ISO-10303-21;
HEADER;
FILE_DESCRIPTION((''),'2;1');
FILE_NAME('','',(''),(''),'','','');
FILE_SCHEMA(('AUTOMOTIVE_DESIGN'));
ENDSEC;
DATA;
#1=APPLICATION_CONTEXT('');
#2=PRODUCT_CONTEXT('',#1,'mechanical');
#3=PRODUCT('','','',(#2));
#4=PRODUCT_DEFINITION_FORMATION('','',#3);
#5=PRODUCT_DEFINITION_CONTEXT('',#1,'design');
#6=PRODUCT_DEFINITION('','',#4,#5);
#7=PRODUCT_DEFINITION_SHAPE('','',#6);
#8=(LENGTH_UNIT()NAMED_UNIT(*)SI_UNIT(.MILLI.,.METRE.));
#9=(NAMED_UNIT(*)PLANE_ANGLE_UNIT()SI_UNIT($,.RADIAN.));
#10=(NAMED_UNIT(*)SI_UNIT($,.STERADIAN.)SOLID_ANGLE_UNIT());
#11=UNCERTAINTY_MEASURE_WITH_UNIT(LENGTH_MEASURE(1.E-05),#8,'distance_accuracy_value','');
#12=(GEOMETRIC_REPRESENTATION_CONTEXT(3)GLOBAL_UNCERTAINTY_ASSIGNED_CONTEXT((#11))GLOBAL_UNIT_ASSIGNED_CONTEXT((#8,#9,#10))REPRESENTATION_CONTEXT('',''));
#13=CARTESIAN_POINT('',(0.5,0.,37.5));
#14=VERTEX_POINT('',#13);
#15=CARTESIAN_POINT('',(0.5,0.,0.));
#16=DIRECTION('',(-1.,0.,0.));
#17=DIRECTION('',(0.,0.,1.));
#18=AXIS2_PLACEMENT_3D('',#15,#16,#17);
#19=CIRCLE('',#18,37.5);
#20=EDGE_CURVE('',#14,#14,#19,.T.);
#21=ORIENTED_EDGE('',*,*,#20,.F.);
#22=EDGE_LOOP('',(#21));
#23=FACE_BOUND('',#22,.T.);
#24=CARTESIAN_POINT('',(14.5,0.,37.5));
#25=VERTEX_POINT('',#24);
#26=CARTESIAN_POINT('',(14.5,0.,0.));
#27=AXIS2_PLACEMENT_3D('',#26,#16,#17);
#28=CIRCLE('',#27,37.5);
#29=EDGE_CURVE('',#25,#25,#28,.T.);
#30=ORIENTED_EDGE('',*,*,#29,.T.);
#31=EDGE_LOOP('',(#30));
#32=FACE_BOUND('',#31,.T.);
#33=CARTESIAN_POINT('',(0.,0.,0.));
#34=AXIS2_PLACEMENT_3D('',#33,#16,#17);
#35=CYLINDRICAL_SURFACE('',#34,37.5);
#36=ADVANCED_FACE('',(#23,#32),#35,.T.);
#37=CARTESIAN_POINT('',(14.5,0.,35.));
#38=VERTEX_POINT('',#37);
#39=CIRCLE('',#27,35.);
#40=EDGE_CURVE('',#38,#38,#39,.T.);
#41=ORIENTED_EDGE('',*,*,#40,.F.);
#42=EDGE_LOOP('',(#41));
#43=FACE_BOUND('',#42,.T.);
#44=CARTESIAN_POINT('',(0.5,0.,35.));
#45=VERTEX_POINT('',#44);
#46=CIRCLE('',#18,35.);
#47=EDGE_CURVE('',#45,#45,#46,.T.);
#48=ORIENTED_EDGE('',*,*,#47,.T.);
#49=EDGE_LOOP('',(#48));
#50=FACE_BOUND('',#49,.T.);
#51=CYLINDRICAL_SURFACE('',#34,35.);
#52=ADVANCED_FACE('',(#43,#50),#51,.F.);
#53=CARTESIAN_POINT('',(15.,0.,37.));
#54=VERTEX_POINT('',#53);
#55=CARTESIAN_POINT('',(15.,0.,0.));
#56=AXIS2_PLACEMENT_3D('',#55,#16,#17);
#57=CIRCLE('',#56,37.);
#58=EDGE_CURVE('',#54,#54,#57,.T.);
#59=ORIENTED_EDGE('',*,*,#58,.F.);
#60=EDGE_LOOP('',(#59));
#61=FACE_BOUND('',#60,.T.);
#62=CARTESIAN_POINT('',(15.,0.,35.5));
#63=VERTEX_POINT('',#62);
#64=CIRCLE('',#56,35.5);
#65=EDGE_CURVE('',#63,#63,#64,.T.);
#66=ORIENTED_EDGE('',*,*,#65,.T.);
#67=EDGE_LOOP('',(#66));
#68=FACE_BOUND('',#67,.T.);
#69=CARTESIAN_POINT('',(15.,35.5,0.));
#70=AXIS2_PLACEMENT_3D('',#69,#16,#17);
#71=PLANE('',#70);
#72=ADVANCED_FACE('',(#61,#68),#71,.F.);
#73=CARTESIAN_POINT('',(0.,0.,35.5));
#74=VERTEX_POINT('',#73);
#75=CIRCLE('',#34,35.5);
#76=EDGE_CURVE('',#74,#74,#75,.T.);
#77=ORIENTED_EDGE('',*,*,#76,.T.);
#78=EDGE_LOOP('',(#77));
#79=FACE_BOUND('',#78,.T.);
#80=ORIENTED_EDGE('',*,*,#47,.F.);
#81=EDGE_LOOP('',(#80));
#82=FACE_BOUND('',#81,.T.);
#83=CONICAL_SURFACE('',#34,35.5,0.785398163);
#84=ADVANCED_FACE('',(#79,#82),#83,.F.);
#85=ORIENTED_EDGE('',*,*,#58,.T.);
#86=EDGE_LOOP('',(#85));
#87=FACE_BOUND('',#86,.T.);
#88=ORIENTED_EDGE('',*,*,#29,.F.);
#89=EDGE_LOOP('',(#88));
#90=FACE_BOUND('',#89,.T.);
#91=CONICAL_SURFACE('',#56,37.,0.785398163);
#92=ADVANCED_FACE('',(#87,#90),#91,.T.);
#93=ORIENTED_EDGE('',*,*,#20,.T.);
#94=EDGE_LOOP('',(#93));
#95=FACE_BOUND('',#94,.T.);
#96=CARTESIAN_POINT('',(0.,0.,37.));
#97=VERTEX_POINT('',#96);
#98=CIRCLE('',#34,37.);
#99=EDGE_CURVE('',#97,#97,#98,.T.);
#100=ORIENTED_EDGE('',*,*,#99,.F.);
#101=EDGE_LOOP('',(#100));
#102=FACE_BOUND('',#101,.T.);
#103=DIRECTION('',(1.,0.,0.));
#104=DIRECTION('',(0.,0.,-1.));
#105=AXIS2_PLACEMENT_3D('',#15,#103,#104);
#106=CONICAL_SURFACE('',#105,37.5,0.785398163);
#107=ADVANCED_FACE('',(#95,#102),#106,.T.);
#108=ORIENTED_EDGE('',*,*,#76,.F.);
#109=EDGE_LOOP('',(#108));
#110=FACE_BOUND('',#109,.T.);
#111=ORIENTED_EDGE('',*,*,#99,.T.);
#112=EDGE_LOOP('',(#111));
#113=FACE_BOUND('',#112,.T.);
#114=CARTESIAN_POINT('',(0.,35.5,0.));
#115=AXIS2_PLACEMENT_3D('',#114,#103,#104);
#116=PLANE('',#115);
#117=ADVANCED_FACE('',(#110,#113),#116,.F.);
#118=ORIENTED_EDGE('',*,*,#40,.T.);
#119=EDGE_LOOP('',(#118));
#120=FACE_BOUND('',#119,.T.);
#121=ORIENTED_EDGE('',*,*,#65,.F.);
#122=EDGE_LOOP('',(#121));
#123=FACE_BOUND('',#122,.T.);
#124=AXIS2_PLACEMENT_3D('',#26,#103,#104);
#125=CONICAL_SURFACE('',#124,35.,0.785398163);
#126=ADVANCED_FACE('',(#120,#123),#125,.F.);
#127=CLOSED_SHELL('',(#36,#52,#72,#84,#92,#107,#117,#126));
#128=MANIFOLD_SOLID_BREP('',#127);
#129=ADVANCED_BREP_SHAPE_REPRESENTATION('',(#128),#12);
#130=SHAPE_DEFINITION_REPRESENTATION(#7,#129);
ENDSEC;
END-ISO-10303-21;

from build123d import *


with BuildPart() as part:
    # Sketch1 → Revolve1 (revolve)
    with BuildSketch(Plane.XY, mode=Mode.PRIVATE) as revolve1_sk:
        Polygon((0, 37), (0.5, 37.5), (14.5, 37.5), (15, 37), (15, 35.5), (14.5, 35), (0.5, 35), (0, 35.5), align=None)
    revolve(revolve1_sk.sketch.rotate(Axis((0, 0, 0), (1, 0, 0)), 90), axis=Axis((0, 0, 0), (1, 0, 0)))


solid = part.part
